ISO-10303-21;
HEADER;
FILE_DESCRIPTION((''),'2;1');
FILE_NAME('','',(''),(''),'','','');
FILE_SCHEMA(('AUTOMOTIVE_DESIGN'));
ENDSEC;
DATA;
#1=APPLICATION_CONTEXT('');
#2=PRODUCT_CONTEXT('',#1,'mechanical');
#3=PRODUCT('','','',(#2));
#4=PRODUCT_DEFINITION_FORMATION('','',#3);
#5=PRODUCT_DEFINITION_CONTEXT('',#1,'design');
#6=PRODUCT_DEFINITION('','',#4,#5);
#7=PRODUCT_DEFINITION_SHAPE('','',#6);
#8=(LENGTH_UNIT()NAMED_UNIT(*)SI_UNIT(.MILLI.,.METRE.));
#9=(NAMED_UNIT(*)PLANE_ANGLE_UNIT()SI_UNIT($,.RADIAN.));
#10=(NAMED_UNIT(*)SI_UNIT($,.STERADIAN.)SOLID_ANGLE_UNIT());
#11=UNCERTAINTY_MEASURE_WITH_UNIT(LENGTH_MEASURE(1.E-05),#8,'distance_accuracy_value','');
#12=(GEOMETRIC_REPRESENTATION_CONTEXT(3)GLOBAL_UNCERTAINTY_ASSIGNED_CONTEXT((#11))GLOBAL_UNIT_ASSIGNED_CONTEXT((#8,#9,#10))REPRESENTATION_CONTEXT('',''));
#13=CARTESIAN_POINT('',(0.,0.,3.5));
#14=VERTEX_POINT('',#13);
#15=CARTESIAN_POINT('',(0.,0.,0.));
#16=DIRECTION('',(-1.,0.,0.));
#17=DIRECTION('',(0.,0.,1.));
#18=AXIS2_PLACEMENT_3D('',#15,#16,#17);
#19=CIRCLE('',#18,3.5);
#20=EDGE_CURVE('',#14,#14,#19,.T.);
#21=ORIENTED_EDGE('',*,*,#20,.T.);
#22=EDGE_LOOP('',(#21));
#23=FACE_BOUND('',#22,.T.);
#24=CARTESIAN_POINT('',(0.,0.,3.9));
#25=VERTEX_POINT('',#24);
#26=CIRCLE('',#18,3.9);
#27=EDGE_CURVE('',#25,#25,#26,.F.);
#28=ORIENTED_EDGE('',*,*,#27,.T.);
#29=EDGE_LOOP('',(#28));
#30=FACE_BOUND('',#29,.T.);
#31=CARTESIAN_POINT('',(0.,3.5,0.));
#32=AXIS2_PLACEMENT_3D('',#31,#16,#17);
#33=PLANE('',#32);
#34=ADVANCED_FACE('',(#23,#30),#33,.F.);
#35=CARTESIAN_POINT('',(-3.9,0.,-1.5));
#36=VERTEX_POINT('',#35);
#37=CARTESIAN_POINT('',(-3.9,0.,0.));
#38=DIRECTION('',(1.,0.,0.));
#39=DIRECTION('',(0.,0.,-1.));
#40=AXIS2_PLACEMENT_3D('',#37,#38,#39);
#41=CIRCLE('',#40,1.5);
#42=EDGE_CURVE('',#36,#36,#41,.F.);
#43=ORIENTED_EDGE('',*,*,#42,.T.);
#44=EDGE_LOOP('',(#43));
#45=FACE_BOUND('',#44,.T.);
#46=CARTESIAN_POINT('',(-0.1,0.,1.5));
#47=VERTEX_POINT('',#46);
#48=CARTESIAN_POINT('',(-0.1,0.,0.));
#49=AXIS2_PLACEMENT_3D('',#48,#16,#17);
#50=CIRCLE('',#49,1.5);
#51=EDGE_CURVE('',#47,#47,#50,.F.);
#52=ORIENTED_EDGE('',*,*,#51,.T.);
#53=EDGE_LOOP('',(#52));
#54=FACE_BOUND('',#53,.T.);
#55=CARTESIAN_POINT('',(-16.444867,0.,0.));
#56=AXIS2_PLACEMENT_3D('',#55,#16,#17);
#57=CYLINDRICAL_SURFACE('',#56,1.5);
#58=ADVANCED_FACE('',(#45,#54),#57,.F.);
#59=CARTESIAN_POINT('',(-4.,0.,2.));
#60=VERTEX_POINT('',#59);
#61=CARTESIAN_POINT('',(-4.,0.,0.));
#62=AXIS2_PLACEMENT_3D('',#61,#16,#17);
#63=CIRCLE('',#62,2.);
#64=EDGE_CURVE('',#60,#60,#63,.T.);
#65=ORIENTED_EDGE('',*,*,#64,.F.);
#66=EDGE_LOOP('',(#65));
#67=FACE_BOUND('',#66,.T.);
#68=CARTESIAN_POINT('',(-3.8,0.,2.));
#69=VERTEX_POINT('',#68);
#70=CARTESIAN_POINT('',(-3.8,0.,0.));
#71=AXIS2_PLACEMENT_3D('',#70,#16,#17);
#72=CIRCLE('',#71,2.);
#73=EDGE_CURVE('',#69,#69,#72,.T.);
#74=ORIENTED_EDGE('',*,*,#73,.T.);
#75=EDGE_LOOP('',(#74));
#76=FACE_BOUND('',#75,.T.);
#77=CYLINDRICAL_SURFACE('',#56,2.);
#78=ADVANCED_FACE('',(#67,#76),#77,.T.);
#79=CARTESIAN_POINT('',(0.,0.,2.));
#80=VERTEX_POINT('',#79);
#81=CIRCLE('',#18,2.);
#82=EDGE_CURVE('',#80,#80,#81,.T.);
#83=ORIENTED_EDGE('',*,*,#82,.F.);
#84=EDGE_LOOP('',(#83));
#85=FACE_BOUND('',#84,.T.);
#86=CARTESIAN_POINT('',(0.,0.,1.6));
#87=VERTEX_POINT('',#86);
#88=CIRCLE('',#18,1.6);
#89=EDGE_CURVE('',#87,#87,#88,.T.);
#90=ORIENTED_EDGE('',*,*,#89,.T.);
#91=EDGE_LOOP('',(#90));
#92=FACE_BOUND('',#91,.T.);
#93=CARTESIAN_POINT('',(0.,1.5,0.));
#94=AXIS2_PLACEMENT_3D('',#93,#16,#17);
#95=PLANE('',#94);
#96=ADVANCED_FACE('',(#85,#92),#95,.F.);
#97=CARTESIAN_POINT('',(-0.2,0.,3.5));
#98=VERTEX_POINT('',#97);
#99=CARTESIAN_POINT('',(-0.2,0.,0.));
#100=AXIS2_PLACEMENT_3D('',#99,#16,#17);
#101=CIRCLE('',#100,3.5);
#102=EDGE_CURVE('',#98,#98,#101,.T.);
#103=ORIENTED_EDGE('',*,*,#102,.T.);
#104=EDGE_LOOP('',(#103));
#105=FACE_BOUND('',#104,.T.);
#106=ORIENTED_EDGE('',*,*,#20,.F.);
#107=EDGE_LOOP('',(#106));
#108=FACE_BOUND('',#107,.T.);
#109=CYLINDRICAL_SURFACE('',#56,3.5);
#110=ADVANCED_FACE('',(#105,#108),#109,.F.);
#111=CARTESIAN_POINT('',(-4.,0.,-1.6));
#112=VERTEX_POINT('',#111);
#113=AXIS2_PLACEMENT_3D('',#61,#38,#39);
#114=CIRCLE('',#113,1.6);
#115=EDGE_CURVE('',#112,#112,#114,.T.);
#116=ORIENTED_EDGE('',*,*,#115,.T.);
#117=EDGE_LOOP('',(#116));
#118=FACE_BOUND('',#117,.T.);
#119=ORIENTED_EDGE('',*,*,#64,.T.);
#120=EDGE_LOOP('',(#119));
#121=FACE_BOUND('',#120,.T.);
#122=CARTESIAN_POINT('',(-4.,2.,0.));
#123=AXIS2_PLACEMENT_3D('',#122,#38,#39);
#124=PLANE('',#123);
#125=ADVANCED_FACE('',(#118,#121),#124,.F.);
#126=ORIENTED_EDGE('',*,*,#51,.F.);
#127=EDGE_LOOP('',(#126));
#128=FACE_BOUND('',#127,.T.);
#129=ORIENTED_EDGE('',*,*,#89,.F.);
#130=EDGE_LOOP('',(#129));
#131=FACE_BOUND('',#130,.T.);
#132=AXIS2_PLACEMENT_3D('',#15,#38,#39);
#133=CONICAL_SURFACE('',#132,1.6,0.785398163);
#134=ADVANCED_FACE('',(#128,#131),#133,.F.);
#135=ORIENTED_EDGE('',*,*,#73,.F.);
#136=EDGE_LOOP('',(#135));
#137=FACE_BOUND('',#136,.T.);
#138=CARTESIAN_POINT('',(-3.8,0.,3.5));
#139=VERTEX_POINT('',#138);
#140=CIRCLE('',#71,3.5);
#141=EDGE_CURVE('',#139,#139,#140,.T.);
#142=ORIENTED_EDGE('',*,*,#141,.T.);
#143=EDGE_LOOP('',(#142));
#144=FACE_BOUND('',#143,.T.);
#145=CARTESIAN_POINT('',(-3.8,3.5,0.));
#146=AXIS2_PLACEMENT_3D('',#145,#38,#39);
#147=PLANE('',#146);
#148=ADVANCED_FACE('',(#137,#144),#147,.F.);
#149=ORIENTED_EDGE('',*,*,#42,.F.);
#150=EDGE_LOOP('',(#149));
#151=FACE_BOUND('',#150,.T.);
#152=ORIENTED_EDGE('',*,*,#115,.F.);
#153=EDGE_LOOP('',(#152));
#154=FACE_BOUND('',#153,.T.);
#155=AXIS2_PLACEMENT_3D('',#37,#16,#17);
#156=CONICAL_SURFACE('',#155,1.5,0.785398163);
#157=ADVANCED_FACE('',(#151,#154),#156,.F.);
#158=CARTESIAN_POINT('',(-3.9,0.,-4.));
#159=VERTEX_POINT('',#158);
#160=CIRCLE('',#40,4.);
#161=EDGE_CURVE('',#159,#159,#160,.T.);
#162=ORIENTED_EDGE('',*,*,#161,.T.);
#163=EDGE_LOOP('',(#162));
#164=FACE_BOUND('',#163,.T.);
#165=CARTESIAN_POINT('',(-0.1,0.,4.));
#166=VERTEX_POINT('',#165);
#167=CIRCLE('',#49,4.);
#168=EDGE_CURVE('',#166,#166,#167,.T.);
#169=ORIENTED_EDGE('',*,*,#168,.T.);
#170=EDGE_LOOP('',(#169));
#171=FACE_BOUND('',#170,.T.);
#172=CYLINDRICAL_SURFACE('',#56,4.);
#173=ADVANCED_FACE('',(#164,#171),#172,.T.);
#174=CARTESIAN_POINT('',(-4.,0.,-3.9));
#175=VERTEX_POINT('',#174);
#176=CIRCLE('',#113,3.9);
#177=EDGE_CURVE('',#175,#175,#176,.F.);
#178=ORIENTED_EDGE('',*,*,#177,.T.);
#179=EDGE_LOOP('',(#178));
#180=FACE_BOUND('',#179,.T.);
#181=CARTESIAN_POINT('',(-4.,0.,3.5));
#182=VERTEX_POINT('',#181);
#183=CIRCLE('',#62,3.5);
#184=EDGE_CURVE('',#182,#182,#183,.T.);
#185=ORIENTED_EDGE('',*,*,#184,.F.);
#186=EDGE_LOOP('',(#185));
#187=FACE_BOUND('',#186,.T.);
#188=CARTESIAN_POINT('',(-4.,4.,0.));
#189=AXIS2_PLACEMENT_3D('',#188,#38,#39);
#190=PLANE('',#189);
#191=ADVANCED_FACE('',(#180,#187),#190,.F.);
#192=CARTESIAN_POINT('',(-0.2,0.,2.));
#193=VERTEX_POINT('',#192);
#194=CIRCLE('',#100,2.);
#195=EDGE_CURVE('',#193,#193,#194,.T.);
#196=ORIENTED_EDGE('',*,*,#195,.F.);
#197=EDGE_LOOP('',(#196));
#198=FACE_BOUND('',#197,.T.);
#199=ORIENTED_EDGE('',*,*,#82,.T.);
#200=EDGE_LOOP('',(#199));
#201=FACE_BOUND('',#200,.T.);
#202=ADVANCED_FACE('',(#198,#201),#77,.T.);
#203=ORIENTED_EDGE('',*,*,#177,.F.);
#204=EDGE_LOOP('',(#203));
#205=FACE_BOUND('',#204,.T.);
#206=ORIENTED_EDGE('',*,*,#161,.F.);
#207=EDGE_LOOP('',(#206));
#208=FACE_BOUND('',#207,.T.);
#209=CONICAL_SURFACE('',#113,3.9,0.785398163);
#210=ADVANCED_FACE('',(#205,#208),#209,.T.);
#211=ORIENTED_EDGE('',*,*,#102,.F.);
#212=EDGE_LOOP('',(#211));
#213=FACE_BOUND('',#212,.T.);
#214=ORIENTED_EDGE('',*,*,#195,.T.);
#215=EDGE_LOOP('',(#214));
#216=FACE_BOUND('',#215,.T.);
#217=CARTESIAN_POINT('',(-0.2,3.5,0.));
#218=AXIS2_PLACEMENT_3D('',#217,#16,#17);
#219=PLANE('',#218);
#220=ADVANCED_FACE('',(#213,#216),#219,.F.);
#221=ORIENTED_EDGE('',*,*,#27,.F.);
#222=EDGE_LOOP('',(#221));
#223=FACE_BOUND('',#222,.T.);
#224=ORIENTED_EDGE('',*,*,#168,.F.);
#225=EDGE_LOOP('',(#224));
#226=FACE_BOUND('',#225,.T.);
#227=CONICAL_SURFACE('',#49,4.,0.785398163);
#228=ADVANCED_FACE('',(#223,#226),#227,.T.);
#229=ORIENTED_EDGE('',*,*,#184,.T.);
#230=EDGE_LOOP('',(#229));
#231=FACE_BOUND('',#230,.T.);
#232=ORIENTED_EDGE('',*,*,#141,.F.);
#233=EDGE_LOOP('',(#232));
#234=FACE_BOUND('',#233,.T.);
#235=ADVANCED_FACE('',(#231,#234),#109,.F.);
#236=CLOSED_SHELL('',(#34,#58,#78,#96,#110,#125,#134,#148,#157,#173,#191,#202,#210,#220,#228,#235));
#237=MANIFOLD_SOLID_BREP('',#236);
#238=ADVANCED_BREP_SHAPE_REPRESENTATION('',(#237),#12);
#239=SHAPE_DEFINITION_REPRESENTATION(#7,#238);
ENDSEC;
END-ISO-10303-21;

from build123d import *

# Parameters (mm, degrees)
CHAMFER_1_SIZE = 0.1


with BuildPart() as part:
    # 草图1 → 旋转1 (revolve)
    with BuildSketch(Plane.XY, mode=Mode.PRIVATE) as revolve_1_sk:
        Polygon((0, 1.5), (0, 2), (-0.2, 2), (-0.2, 3.5), (0, 3.5), (0, 4), (-4, 4), (-4, 3.5), (-3.8, 3.5), (-3.8, 2), (-4, 2), (-4, 1.5), align=None)
    revolve(revolve_1_sk.sketch.rotate(Axis((-16.444867367, 0, 0), (1, 0, 0)), 90), axis=Axis((-16.444867367, 0, 0), (1, 0, 0)))

    # 倒角1
    chamfer_1_edges = [part.edges().sort_by_distance(p)[0] for p in [
        (-4, 0, -4),
        (0, 0, -4),
        (0, 0, -1.5),
        (-4, 0, -1.5),
    ]]
    chamfer(chamfer_1_edges, length=CHAMFER_1_SIZE)


solid = part.part
